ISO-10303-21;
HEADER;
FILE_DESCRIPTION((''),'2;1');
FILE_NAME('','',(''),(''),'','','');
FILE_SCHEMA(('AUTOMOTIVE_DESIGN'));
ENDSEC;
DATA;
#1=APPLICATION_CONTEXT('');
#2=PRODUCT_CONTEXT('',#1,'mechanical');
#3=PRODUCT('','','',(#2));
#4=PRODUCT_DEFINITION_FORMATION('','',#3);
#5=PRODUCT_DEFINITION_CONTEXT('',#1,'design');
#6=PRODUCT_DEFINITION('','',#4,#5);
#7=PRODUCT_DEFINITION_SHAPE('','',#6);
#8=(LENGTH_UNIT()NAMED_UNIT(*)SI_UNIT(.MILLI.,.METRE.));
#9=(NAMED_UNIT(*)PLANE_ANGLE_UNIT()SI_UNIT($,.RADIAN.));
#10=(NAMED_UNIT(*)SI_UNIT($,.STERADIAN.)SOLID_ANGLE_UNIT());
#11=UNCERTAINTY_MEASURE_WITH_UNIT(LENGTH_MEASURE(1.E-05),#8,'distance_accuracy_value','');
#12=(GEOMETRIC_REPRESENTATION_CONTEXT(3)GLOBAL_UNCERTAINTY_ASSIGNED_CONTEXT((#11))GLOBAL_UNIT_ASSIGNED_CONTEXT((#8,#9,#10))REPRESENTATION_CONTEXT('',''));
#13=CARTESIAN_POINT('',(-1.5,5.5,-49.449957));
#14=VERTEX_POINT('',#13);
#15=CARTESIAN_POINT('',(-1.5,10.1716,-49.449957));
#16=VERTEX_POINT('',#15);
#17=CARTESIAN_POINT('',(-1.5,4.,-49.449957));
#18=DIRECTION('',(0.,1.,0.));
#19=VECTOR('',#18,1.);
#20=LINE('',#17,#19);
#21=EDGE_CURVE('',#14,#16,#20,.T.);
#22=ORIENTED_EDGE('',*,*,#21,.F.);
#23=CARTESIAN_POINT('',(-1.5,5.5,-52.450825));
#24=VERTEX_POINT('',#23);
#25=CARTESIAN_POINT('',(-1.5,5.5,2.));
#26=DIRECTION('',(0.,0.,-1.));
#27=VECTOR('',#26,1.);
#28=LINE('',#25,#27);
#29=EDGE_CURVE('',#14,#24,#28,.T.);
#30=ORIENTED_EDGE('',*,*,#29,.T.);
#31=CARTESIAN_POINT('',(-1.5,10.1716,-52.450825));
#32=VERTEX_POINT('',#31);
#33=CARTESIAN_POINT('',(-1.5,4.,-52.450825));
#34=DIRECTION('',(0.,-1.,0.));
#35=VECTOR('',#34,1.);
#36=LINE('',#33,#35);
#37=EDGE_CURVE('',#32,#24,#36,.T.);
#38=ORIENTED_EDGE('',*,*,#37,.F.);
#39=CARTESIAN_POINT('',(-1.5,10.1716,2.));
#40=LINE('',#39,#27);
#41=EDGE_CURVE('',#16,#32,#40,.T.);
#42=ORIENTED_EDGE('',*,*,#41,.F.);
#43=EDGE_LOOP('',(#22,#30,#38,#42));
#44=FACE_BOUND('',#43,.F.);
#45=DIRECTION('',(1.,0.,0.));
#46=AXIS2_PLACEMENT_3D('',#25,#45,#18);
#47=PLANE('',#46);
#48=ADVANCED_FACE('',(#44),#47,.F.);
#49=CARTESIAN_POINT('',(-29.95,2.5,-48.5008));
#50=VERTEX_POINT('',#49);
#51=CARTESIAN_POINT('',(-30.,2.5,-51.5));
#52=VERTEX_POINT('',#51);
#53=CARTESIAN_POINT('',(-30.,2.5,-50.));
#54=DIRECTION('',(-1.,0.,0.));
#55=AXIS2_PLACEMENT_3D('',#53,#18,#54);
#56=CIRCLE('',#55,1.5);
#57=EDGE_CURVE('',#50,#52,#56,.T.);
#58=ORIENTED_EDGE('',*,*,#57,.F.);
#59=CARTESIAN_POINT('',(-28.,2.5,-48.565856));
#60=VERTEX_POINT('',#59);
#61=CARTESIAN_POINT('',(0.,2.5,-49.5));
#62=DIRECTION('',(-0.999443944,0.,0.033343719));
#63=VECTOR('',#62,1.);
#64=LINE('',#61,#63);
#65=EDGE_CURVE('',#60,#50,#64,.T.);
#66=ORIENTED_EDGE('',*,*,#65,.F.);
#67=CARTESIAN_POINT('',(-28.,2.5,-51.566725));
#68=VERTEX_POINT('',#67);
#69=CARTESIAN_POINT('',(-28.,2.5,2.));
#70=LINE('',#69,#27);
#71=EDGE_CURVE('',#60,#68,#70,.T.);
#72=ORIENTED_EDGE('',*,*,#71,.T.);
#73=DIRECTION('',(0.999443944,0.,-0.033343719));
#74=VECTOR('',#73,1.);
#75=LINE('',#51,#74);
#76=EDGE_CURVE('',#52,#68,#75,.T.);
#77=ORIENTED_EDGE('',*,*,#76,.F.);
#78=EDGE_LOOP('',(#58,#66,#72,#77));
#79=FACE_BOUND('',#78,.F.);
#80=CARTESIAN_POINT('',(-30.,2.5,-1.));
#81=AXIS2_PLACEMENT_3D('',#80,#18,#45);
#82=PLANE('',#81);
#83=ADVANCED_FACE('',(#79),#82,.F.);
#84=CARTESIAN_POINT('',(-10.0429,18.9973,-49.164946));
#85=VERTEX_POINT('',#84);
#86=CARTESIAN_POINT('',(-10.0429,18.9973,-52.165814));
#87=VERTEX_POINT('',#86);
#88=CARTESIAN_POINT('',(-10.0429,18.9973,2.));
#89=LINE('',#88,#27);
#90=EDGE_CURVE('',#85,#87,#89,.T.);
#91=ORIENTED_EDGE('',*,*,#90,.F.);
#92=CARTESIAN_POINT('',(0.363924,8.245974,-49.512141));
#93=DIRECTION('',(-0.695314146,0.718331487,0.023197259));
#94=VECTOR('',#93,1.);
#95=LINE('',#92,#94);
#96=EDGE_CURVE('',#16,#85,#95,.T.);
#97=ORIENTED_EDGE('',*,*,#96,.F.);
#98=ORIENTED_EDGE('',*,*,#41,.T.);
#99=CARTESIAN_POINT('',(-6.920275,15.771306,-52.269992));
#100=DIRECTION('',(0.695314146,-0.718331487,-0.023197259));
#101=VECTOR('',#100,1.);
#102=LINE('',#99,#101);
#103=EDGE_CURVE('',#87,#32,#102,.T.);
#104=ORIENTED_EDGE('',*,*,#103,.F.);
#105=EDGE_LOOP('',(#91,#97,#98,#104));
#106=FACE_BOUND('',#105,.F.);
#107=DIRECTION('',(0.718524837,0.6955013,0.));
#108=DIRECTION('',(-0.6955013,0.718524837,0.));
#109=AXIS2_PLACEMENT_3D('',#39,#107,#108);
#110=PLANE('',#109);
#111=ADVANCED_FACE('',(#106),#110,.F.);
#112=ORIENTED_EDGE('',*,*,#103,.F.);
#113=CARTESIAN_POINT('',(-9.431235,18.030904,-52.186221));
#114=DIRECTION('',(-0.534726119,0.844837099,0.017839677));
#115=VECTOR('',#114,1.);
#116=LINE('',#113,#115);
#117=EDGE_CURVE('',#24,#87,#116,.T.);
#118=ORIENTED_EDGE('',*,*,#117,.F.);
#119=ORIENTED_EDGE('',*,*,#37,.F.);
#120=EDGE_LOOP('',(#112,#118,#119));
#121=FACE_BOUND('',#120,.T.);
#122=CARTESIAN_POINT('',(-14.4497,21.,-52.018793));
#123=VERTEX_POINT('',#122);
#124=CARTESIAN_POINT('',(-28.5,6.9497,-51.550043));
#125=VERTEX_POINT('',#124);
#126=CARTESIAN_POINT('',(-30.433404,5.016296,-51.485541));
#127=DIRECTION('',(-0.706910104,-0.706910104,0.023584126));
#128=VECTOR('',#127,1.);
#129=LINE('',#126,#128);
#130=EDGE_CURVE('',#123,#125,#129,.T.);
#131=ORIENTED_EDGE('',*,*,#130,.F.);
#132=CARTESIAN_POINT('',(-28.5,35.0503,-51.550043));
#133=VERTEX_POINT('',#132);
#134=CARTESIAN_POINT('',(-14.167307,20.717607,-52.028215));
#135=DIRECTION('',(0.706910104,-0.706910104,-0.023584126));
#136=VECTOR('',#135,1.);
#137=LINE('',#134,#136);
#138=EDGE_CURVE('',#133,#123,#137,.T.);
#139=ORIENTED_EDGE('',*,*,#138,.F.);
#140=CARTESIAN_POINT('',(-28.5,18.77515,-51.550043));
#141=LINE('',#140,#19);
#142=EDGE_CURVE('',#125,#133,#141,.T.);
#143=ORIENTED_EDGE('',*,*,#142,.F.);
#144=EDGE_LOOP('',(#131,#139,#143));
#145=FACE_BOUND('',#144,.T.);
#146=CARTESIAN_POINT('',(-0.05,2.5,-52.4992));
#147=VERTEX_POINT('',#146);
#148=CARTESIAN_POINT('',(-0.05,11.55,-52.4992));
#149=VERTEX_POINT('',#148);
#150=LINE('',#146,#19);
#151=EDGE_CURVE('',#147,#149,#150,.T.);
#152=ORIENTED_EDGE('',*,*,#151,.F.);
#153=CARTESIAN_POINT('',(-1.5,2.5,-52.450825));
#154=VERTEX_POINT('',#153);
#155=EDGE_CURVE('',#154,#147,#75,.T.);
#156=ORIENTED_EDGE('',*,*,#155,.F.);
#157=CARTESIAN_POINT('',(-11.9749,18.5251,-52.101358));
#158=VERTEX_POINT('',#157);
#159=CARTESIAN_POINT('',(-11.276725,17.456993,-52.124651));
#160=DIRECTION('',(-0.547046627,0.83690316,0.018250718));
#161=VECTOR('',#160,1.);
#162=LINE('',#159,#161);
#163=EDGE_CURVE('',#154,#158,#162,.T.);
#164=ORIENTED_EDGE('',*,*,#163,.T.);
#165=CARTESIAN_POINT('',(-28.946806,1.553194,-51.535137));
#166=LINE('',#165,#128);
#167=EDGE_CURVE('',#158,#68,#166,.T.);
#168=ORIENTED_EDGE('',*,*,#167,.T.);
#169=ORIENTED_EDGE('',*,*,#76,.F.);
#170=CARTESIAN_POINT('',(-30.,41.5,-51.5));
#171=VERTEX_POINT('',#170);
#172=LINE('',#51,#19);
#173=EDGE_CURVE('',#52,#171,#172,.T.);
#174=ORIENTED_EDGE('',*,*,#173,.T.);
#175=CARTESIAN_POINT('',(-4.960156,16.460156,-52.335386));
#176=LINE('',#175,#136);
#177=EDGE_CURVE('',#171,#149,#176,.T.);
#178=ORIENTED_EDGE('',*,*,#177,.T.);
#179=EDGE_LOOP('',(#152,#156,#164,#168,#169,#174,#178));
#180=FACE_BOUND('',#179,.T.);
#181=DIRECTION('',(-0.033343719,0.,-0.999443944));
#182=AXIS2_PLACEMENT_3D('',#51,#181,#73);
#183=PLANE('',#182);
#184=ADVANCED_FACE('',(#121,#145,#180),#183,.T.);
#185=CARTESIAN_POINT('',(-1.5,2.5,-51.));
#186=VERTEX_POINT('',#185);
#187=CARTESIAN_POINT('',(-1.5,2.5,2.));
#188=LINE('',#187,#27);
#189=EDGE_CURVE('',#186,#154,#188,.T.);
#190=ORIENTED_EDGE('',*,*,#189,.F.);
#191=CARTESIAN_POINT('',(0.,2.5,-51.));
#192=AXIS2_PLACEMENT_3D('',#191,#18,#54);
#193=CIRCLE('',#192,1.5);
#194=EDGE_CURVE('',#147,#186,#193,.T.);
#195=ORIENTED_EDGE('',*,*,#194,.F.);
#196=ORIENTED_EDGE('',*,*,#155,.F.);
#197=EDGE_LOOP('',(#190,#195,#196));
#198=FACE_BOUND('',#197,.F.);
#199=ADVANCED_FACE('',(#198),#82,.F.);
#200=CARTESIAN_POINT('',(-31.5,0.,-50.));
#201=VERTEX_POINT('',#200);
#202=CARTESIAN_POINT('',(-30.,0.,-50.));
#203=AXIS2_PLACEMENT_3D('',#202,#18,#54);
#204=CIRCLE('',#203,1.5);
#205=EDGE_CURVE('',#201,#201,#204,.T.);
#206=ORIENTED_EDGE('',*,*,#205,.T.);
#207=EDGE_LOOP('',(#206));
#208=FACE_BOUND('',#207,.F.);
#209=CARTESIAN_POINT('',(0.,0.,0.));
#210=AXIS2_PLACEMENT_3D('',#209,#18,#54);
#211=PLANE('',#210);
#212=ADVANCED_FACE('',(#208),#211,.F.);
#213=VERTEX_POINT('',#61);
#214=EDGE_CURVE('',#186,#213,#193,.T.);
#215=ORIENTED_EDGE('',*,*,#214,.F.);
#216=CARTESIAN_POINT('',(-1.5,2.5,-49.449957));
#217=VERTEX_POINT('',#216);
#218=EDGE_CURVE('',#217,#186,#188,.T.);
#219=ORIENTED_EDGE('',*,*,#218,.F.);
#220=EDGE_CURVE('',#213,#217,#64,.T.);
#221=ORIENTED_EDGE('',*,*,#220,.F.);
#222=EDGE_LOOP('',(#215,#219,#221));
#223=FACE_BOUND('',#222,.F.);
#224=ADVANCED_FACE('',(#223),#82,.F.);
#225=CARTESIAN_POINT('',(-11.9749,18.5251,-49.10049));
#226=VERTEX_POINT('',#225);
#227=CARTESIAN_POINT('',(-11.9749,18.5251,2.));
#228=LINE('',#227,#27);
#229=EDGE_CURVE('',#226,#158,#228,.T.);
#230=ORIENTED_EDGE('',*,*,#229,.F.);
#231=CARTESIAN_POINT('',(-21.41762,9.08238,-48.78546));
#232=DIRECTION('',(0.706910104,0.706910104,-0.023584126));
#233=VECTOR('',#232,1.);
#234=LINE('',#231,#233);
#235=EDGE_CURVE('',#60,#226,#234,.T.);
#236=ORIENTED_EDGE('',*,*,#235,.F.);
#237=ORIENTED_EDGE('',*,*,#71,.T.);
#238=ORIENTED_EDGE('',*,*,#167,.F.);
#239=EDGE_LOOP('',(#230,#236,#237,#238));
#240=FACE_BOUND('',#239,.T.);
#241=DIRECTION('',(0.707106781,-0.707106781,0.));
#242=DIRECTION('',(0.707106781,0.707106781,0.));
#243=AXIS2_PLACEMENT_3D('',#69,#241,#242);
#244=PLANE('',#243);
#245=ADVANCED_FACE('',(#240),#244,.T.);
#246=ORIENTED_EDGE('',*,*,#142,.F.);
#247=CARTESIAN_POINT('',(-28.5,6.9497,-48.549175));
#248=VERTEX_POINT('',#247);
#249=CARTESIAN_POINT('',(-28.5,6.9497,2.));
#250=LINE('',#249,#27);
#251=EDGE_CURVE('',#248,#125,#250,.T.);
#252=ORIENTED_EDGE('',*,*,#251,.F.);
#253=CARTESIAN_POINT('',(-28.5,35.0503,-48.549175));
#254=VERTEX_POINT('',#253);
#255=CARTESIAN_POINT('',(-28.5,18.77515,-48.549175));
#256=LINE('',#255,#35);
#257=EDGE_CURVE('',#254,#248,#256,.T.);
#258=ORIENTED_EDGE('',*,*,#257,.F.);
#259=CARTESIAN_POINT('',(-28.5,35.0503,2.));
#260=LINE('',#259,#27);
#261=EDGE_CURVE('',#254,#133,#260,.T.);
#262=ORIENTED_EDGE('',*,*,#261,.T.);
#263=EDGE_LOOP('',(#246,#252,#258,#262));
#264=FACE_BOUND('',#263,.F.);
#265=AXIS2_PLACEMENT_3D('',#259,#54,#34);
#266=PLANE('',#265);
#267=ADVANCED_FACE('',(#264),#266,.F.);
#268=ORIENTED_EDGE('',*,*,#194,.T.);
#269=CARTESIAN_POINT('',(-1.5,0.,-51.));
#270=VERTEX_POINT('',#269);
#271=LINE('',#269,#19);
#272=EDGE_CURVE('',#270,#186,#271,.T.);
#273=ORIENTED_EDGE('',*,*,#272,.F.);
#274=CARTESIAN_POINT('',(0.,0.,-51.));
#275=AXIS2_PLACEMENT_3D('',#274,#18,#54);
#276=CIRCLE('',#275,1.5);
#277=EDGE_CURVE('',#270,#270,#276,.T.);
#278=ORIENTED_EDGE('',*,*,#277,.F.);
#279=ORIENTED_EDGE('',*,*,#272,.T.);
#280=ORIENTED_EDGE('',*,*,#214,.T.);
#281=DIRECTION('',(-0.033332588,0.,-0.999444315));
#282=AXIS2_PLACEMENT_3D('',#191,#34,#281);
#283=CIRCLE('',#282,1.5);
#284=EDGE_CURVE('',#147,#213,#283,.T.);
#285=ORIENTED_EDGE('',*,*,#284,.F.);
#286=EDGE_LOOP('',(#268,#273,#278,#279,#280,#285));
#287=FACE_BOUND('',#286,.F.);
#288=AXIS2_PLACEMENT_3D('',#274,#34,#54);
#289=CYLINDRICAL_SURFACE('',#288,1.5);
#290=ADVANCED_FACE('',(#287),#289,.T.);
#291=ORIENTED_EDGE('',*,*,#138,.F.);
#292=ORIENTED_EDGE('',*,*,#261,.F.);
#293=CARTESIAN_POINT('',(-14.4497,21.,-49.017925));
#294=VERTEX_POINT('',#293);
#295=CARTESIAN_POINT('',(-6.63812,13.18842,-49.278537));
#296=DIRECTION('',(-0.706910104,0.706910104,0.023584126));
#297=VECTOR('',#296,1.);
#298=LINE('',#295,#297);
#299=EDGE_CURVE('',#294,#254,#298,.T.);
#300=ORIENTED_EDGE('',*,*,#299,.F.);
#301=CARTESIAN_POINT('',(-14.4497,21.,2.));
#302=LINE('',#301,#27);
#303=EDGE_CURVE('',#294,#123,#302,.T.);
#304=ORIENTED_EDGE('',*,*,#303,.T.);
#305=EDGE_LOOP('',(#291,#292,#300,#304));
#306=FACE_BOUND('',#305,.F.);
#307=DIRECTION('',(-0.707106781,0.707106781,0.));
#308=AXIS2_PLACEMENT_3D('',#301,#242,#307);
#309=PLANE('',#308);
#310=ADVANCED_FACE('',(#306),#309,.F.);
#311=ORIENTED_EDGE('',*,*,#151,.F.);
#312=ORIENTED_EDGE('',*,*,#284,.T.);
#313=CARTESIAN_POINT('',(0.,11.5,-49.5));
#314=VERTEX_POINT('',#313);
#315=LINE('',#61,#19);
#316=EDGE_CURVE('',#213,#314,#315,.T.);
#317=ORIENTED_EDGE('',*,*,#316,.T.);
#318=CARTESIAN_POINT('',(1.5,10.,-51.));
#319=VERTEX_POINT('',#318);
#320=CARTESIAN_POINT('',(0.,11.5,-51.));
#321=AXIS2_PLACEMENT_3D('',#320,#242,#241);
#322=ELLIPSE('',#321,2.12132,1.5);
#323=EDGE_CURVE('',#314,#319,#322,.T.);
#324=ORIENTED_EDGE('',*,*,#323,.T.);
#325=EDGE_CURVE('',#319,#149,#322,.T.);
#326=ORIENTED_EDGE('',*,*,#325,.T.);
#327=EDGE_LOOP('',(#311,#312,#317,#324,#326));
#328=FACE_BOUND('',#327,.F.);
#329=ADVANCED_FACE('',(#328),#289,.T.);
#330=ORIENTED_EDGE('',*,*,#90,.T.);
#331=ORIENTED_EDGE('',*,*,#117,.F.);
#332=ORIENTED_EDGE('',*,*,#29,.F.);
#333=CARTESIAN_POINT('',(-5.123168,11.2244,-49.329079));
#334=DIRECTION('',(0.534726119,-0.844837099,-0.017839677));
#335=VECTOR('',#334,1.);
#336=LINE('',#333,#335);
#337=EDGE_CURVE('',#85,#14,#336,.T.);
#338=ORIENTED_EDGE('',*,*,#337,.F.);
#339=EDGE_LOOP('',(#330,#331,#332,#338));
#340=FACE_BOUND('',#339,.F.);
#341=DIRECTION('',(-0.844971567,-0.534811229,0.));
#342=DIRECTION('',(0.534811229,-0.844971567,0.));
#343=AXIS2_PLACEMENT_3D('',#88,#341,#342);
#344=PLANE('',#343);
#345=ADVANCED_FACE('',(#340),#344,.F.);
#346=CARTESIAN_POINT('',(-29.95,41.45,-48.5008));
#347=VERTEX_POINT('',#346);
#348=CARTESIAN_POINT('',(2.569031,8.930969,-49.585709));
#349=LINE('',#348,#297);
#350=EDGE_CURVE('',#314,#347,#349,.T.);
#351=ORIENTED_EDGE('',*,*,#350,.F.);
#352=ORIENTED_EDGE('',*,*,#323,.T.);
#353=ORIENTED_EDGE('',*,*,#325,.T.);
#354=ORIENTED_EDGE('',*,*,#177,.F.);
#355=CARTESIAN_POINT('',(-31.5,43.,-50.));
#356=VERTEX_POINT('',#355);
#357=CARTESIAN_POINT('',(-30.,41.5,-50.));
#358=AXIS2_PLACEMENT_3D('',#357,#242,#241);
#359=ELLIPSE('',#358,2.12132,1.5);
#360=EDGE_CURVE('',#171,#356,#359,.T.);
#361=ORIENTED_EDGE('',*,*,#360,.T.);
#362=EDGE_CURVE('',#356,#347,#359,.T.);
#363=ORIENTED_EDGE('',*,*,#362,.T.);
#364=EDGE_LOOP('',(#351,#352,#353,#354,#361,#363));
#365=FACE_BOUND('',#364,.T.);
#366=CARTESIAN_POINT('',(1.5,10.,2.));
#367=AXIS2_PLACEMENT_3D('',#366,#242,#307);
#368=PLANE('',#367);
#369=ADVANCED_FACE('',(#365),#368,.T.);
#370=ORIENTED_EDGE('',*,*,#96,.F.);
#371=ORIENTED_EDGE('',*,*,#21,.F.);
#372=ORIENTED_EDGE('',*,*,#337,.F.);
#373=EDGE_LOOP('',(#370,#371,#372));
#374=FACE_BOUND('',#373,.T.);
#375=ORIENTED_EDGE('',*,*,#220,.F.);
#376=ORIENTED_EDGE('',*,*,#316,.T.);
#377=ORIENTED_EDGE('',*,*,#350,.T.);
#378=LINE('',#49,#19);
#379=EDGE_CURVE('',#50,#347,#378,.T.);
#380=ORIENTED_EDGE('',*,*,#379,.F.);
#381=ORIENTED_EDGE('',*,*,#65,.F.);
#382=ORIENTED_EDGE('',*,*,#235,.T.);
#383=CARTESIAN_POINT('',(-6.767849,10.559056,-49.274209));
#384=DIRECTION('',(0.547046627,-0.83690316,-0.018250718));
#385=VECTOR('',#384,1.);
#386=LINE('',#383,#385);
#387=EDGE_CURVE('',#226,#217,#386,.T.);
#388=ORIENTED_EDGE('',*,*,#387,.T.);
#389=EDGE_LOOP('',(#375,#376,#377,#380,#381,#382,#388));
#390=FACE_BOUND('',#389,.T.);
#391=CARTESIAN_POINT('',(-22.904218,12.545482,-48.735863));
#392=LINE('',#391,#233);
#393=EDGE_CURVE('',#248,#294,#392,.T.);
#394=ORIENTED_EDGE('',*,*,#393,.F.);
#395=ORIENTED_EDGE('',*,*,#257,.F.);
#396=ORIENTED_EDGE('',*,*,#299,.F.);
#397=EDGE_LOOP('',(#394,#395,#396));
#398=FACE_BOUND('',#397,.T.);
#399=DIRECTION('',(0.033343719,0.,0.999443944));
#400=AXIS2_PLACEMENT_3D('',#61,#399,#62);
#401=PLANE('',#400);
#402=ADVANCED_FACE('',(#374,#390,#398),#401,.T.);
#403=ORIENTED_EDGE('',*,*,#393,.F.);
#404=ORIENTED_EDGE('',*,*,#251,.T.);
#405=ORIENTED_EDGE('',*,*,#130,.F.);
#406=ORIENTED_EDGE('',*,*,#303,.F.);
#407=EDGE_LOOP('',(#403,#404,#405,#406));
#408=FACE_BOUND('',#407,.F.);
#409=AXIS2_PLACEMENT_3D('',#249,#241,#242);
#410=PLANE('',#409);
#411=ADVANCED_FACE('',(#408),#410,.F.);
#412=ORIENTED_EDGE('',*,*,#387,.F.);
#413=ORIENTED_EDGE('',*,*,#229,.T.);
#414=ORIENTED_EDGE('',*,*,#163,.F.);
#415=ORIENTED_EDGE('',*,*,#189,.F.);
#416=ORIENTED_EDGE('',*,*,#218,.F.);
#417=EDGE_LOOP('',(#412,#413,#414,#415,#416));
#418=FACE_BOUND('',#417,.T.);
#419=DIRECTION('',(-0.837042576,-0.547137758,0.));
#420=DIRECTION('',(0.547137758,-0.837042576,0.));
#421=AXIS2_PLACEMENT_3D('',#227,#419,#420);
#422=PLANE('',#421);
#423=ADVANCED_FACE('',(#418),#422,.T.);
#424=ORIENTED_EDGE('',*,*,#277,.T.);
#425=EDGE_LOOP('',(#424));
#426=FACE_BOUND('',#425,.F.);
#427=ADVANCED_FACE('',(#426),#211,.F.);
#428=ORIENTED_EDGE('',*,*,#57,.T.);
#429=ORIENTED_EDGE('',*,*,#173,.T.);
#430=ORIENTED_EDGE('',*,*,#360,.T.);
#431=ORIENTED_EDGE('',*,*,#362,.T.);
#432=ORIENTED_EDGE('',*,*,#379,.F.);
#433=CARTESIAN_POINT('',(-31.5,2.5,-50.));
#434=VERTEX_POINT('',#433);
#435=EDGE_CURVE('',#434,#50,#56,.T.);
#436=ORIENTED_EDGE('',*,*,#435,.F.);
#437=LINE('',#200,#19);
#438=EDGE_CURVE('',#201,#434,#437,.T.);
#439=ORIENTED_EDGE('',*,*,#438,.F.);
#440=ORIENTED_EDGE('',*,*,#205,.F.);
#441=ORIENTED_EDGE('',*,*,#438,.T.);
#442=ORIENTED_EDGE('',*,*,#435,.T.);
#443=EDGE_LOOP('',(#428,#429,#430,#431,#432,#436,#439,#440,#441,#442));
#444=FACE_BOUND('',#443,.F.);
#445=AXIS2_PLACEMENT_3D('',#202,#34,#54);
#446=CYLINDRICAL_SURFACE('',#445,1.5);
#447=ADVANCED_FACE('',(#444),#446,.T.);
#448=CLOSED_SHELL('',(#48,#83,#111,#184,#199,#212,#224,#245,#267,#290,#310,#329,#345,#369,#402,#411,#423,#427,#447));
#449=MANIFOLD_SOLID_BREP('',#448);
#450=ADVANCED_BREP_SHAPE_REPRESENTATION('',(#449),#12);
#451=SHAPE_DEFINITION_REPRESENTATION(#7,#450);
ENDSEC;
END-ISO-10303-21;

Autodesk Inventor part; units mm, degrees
ref_plane "YZ Plane" through (0, 0, 0) normal (1, 0, 0) x (0, 1, 0)
ref_plane "XZ Plane" through (0, 0, 0) normal (0, 1, 0) x (-1, 0, 0)
sketch "Sketch1" plane through (0, 0, 0) normal (0, 1, 0) x (-1, 0, 0)
  circle A0 centre (0, 0) radius 1.5
  circle A1 centre (0, -51) radius 1.5
  circle A2 centre (30, -1) radius 1.5
  circle A3 centre (30, -50) radius 1.5
  dimension "d0" = 3
  dimension "d1" = 3
  dimension "d2" = 3
  dimension "d3" = 3
  dimension "d5" = 49
  dimension "d6" = 1
  dimension "d7" = 30
  dimension "d8" = 51
extrude "Extrusion1" add sketch "Sketch1" along normal blind 2.5
sketch "Sketch2" plane through (-30, 2.5, -1) normal (0, 1, 0) x (1, 0, 0)
  circle A0 centre (0, 0) radius 1.5 projected
  line L0 (0, -1.5) -> (30, -2.5)
  circle A1 centre (30, -1) radius 1.5 projected
  line L1 (30, 0.5) -> (0, 1.5)
  circle A2 centre (0, 49) radius 1.5 projected
  circle A3 centre (30, 50) radius 1.5 projected
  line L2 (0, 50.5) -> (29.95, 51.4992)
  line L3 (30, 48.5) -> (0.05, 47.5008)
extrude "Extrusion2" add sketch "Sketch2" along normal blind 45
ref_plane "Work Plane1" through (0, 0, 2) normal (0, 0, 1) x (1, 0, 0)
sketch "Sketch3" plane through (0, 0, 2) normal (0, 0, 1) x (1, 0, 0)
  line L0 (1.5, 0) -> (1.5, 47.5) projected
  line L1 (1.5, 10) -> (-31.5, 43)
  line L2 (-31.5, 0) -> (-31.5, 47.5) projected
  line L3 (1.5, 0) -> (-1.5, 0) projected
  line L4 (-31.5, 43) -> (-31.5, 47.5)
  line L5 (-31.5, 0) -> (-31.5, 47.5) projected
  line L6 (1.5, 47.5) -> (1.5, 10)
  line L7 (1.5, 47.5) -> (-31.5, 47.5)
  line L8 (0, 2.5) -> (-29.9001, 2.5) projected
  line L9 (-1.5, 2.5) -> (-28, 2.5)
  line L10 (-28, 2.5) -> (-11.9749, 18.5251)
  line L11 (-11.9749, 18.5251) -> (-1.5, 2.5)
  line L12 (-28.5, 6.9497) -> (-14.4497, 21)
  line L13 (-14.4497, 21) -> (-28.5, 35.0503)
  line L14 (-31.5, 0) -> (-31.5, 47.5) projected
  line L15 (-10.0429, 18.9973) -> (-1.5, 5.5)
  line L16 (-1.5, 5.5) -> (-1.5, 10.1716)
  line L17 (-1.5, 10.1716) -> (-10.0429, 18.9973)
  line L18 (-28.5, 35.0503) -> (-28.5, 6.9497)
  point P0 (0, 0)
  point P1 (-15, 26.5)
  point P2 (-31.5, 38.0503)
  point P3 (-31.5, 3.9497)
  dimension "d14" = 45
  dimension "d15" = 10
  dimension "d18" = 3.5
  dimension "d19" = 3.5
  dimension "d20" = 3.5
  dimension "d21" = 3.5
  dimension "d22" = 45
  dimension "d23" = 3
  dimension "d24" = 1.8
  dimension "d25" = 3
  dimension "d26" = 2
  dimension "d27" = 12.2831
  dimension "d28" = 3
extrude "Extrusion3" cut sketch "Sketch3" against normal through all
sketch "Sketch4" plane through (0, 0, 2) normal (0, 0, 1) x (1, 0, 0)
  line L0 (1.5, 0) -> (-1.5, 0) projected
  line L1 (-31.5, 0) -> (-31.5, 43) projected
  line L2 (1.5, 0) -> (-31.5, 0)
  line L3 (-31.5, 0) -> (-31.5, 43)
  line L4 (-31.5, 43) -> (1.5, 43)
  line L5 (1.5, 43) -> (1.5, 0)
  point P0 (0, 0)
  dimension "d29" = 43
extrude "Extrusion4" cut sketch "Sketch4" against normal blind 10
properties part number "ControlPanel_Middle"
